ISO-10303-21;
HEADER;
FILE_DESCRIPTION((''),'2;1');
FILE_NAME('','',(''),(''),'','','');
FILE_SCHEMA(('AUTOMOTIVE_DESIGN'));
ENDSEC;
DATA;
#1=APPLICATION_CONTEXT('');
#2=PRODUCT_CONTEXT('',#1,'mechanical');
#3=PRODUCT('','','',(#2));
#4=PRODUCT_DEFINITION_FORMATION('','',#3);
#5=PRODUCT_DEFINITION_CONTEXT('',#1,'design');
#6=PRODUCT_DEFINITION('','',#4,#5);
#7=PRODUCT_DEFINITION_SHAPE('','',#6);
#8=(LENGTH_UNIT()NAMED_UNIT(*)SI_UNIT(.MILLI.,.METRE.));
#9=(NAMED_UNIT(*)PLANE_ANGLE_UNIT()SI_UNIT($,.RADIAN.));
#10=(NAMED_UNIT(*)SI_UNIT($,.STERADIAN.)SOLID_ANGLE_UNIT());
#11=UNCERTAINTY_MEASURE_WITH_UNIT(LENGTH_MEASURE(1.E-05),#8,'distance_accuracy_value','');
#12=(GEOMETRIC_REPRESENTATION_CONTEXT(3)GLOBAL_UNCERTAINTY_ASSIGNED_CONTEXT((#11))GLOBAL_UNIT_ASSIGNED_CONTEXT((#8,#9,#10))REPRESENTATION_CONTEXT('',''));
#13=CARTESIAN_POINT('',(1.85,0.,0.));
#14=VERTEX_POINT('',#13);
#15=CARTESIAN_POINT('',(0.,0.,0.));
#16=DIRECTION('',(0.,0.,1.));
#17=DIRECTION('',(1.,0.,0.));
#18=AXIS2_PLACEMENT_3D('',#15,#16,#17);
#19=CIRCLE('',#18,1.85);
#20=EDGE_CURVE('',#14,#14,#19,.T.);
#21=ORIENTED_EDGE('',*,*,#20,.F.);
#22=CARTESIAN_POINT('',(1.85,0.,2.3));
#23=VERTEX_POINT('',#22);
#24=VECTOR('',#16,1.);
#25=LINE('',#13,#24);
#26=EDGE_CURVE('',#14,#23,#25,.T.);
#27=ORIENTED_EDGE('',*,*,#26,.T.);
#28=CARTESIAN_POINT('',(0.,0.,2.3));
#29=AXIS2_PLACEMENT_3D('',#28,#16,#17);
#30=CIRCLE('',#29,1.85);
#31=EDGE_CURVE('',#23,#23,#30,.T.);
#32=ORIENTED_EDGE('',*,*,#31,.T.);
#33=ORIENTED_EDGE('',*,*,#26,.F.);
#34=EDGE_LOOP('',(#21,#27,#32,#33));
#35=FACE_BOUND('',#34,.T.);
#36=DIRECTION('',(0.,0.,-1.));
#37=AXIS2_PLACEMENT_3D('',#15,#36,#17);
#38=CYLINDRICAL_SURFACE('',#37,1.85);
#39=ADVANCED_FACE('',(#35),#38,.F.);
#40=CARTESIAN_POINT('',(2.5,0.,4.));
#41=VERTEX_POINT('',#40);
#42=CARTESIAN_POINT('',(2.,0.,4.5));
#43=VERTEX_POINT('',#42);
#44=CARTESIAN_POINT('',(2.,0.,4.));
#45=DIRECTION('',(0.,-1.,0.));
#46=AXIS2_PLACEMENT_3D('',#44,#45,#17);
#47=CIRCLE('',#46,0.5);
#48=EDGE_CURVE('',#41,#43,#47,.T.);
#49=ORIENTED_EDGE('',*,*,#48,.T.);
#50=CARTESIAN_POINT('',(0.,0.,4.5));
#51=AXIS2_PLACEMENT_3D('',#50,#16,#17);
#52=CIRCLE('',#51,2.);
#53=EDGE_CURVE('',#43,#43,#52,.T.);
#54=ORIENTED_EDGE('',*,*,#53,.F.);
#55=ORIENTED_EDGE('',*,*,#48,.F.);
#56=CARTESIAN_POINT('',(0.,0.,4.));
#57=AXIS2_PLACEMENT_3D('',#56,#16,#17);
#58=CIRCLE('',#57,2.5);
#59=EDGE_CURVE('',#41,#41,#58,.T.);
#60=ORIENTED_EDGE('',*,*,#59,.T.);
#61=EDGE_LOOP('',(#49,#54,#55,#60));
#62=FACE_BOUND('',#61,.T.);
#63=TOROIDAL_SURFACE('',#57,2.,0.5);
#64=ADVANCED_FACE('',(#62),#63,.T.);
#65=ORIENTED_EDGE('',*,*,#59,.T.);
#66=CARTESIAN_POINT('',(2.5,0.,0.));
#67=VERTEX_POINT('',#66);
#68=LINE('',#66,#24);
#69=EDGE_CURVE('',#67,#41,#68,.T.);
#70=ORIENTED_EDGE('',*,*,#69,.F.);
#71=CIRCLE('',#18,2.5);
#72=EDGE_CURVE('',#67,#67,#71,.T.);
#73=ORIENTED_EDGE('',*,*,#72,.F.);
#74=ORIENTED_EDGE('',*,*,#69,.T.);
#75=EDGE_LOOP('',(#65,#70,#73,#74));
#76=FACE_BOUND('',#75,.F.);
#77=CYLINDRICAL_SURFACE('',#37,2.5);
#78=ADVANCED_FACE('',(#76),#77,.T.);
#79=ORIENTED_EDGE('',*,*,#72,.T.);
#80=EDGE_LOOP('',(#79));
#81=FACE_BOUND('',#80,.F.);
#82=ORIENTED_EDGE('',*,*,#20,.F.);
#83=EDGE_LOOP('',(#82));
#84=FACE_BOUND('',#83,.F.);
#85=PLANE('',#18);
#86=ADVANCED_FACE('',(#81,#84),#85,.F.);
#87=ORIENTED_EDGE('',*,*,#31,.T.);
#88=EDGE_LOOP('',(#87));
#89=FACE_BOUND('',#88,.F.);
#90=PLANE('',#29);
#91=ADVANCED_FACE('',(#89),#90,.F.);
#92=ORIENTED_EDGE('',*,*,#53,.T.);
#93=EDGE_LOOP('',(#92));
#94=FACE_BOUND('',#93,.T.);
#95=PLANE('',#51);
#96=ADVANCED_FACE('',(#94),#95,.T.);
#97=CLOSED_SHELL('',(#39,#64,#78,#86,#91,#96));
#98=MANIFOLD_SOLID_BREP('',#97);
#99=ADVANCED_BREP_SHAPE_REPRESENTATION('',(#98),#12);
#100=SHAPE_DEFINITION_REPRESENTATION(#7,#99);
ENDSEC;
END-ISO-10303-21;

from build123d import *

# Parameters (mm, degrees)
F0_R     = 2.5
F0_R_2   = 1.85
F1_DEPTH = 4.5
F2_R     = 0.5
F3_DEPTH = 2.3


with BuildPart() as f1:
    # F0 (on Top) → F1 (new body)
    with BuildSketch(Plane.XY):
        Circle(F0_R)
        Circle(F0_R_2, mode=Mode.SUBTRACT)
        Circle(F0_R_2)
    extrude(amount=F1_DEPTH)

    # F2
    f2_edges = [f1.edges().sort_by_distance(p)[0] for p in [
        (-2.5, 0, 4.5),
    ]]
    fillet(f2_edges, radius=F2_R)

    # F0 (on Top) → F3 (cut)
    with BuildSketch(Plane.XY):
        Circle(F0_R_2)
    extrude(amount=F3_DEPTH, mode=Mode.SUBTRACT)


solid = f1.part
